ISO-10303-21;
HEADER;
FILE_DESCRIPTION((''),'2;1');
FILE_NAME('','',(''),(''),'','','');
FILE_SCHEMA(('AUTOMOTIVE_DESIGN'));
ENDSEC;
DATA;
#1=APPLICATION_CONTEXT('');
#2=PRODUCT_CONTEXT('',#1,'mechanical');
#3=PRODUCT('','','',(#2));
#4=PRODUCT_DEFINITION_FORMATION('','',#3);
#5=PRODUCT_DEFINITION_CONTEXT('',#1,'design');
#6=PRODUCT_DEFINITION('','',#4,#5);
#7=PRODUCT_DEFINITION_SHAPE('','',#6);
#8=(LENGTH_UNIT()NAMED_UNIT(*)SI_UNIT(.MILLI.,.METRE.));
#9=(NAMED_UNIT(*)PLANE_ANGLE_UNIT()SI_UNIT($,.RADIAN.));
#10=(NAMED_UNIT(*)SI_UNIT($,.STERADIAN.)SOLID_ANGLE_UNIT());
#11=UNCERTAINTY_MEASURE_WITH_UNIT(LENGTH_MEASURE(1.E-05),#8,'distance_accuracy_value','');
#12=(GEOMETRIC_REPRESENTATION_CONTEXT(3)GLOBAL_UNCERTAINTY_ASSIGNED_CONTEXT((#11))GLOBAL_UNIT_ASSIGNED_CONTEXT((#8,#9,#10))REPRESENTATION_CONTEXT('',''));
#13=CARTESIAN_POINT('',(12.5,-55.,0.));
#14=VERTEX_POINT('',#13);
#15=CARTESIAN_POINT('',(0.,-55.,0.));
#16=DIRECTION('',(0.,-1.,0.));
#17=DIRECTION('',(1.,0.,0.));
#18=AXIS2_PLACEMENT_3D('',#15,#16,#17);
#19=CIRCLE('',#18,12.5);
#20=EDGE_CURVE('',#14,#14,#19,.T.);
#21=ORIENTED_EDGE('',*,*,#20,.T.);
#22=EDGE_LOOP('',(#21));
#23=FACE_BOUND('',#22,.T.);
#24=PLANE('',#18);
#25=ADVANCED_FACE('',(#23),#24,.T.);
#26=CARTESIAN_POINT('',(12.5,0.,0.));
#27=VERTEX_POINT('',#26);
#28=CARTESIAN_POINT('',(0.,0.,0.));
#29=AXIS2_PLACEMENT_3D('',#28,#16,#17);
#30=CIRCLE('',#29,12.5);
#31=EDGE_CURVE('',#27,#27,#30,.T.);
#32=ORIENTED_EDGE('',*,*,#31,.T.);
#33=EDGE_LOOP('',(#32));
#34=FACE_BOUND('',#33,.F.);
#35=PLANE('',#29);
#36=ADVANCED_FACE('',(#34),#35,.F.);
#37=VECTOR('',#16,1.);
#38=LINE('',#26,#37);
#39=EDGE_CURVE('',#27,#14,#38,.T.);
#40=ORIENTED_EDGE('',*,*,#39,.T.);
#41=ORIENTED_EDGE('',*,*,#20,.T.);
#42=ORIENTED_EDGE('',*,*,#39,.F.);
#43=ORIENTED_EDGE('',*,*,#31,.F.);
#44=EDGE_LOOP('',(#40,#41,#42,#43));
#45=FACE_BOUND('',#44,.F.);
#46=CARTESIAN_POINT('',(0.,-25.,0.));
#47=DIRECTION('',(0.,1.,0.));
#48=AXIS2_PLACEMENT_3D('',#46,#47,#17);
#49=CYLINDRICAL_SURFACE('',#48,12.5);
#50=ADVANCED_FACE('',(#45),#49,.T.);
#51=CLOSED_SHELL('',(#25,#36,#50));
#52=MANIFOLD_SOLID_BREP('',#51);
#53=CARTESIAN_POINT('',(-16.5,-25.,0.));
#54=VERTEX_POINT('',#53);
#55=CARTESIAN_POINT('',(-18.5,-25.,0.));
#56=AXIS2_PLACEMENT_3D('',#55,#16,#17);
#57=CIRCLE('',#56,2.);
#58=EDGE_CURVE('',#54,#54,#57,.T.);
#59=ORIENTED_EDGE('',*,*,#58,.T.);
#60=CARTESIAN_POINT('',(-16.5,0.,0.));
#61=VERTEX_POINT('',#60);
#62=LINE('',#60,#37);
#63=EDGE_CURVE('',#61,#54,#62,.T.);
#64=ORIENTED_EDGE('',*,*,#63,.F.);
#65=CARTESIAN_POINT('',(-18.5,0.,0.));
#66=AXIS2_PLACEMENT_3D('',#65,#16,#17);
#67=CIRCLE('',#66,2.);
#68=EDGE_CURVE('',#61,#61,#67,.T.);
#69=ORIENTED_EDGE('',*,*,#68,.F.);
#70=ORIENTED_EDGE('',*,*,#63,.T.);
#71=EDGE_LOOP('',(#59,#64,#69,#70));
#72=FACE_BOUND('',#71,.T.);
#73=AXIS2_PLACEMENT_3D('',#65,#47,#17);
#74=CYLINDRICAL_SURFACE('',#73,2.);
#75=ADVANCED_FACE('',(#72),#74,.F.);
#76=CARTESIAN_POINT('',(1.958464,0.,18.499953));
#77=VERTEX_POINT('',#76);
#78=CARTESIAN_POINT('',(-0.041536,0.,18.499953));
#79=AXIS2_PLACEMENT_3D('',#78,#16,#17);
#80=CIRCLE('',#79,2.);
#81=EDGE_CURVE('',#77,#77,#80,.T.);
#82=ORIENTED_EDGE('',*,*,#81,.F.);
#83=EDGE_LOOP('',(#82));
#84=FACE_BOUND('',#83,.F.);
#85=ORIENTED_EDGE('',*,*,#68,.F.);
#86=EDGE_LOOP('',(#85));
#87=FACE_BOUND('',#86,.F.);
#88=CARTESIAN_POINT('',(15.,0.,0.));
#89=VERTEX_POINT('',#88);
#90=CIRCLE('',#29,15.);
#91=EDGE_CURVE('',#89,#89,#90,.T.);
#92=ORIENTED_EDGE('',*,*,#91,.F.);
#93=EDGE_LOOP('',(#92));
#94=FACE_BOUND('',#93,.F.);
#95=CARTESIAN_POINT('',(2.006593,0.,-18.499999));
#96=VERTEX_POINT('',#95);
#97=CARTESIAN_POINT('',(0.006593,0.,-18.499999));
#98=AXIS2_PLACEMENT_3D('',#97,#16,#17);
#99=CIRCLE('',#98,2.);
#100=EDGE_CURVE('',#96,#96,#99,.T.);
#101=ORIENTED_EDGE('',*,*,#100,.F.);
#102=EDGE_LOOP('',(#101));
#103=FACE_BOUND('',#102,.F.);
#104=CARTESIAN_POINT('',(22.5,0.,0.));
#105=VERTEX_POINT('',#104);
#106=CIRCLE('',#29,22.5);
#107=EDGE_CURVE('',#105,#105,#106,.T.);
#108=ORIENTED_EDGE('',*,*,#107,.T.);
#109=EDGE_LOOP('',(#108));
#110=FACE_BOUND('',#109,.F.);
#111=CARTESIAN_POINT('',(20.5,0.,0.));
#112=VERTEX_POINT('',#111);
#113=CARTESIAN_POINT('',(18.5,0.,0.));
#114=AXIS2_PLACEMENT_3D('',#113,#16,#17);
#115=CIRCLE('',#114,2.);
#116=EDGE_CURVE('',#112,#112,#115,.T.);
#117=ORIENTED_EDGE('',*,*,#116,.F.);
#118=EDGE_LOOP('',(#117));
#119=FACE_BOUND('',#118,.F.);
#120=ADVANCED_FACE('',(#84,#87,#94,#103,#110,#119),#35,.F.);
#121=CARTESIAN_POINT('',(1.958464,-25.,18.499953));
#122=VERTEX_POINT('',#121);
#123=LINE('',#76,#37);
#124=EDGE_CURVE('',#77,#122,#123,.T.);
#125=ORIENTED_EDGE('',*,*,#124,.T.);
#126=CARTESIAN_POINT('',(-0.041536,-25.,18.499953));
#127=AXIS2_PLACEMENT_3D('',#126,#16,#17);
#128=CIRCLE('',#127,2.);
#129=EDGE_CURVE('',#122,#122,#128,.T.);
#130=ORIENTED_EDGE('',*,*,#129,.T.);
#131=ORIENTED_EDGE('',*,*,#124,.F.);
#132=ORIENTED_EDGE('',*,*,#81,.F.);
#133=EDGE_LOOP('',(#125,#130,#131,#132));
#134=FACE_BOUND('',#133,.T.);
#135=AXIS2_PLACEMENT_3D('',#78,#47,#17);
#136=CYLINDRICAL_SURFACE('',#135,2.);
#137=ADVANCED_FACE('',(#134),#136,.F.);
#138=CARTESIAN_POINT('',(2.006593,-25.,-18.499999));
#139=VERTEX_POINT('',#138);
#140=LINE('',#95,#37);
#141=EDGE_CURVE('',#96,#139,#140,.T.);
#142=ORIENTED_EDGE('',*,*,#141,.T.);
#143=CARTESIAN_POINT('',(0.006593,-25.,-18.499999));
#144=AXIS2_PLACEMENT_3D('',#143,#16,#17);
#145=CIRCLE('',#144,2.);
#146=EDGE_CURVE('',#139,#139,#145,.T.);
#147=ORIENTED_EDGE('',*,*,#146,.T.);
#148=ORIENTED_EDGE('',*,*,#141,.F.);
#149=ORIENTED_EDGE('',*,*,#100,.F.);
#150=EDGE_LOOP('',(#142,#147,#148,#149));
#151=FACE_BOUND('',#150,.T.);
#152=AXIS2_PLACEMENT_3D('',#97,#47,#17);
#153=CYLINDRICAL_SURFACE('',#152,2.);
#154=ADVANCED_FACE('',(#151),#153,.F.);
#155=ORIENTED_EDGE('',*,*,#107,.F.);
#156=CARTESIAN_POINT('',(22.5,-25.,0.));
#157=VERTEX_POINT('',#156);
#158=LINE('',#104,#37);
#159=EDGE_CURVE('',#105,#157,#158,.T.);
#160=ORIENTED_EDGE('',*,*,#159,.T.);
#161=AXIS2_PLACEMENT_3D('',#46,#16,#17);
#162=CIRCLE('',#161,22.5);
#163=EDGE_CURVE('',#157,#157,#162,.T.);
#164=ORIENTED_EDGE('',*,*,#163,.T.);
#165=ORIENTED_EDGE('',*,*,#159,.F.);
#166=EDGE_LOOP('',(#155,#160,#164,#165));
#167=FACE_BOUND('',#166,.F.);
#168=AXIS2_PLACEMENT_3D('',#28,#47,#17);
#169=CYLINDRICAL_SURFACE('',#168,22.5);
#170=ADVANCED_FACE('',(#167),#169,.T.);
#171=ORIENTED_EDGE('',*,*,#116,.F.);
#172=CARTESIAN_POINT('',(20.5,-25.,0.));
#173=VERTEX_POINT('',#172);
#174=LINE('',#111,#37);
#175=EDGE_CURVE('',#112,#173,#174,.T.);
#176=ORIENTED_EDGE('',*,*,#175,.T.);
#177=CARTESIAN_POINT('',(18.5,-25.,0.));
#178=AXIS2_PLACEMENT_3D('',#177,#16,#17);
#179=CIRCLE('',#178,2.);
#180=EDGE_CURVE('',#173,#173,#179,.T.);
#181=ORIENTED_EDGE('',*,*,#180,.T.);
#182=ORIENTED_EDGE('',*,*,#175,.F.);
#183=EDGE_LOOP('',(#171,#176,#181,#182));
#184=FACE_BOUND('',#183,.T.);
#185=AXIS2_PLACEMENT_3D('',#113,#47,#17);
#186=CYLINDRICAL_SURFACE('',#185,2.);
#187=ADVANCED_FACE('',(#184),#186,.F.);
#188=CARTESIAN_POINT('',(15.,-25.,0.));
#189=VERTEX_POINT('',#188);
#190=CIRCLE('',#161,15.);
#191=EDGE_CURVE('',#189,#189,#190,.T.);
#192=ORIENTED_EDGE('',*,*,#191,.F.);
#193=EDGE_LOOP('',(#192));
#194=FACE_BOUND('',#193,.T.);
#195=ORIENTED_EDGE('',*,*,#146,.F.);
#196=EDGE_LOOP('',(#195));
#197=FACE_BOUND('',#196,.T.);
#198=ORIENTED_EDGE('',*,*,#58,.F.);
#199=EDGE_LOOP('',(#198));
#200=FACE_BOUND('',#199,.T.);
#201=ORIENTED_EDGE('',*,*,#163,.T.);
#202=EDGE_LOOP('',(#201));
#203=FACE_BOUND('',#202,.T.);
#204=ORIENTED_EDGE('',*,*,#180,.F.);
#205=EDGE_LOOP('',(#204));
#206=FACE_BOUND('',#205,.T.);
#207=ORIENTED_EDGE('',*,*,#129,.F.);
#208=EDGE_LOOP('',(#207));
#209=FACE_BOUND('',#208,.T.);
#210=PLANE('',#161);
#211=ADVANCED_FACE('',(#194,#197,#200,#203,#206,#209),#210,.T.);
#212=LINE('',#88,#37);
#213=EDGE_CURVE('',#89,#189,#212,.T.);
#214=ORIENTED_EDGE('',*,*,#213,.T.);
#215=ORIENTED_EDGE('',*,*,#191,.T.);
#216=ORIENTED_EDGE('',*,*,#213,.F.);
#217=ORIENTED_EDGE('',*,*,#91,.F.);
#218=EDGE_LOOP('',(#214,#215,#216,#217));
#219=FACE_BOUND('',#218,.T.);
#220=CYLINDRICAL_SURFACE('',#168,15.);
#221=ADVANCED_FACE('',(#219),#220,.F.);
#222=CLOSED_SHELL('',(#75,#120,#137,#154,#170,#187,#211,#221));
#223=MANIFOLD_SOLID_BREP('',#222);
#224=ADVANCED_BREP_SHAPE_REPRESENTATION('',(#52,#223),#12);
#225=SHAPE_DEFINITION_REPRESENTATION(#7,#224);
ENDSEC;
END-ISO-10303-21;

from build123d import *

# Parameters (mm, degrees)
F0_R      = 22.5
F0_R_2    = 2
F0_R_3    = 15
F0_R_4    = 12.5
F1_DEPTH  = 25
F1_FACE_R = 12.5
F2_DEPTH  = 30


with BuildPart() as f1:
    # F0 (on Front) → F1 (new body)
    with BuildSketch(Plane.XZ):
        Circle(F0_R)
        with Locations((0.006593, -18.499999)):
            Circle(F0_R_2, mode=Mode.SUBTRACT)
        with Locations((-18.5, 0)):
            Circle(F0_R_2, mode=Mode.SUBTRACT)
        with Locations((-0.041536, 18.499953)):
            Circle(F0_R_2, mode=Mode.SUBTRACT)
        Circle(F0_R_3, mode=Mode.SUBTRACT)
        with Locations((18.5, 0)):
            Circle(F0_R_2, mode=Mode.SUBTRACT)
        Circle(F0_R_4)
    extrude(amount=F1_DEPTH)

    # F1_face (on face) → F2 (join)
    with BuildSketch(Plane.XZ.offset(25)):
        Circle(F1_FACE_R)
    extrude(amount=F2_DEPTH)


solid = f1.part
